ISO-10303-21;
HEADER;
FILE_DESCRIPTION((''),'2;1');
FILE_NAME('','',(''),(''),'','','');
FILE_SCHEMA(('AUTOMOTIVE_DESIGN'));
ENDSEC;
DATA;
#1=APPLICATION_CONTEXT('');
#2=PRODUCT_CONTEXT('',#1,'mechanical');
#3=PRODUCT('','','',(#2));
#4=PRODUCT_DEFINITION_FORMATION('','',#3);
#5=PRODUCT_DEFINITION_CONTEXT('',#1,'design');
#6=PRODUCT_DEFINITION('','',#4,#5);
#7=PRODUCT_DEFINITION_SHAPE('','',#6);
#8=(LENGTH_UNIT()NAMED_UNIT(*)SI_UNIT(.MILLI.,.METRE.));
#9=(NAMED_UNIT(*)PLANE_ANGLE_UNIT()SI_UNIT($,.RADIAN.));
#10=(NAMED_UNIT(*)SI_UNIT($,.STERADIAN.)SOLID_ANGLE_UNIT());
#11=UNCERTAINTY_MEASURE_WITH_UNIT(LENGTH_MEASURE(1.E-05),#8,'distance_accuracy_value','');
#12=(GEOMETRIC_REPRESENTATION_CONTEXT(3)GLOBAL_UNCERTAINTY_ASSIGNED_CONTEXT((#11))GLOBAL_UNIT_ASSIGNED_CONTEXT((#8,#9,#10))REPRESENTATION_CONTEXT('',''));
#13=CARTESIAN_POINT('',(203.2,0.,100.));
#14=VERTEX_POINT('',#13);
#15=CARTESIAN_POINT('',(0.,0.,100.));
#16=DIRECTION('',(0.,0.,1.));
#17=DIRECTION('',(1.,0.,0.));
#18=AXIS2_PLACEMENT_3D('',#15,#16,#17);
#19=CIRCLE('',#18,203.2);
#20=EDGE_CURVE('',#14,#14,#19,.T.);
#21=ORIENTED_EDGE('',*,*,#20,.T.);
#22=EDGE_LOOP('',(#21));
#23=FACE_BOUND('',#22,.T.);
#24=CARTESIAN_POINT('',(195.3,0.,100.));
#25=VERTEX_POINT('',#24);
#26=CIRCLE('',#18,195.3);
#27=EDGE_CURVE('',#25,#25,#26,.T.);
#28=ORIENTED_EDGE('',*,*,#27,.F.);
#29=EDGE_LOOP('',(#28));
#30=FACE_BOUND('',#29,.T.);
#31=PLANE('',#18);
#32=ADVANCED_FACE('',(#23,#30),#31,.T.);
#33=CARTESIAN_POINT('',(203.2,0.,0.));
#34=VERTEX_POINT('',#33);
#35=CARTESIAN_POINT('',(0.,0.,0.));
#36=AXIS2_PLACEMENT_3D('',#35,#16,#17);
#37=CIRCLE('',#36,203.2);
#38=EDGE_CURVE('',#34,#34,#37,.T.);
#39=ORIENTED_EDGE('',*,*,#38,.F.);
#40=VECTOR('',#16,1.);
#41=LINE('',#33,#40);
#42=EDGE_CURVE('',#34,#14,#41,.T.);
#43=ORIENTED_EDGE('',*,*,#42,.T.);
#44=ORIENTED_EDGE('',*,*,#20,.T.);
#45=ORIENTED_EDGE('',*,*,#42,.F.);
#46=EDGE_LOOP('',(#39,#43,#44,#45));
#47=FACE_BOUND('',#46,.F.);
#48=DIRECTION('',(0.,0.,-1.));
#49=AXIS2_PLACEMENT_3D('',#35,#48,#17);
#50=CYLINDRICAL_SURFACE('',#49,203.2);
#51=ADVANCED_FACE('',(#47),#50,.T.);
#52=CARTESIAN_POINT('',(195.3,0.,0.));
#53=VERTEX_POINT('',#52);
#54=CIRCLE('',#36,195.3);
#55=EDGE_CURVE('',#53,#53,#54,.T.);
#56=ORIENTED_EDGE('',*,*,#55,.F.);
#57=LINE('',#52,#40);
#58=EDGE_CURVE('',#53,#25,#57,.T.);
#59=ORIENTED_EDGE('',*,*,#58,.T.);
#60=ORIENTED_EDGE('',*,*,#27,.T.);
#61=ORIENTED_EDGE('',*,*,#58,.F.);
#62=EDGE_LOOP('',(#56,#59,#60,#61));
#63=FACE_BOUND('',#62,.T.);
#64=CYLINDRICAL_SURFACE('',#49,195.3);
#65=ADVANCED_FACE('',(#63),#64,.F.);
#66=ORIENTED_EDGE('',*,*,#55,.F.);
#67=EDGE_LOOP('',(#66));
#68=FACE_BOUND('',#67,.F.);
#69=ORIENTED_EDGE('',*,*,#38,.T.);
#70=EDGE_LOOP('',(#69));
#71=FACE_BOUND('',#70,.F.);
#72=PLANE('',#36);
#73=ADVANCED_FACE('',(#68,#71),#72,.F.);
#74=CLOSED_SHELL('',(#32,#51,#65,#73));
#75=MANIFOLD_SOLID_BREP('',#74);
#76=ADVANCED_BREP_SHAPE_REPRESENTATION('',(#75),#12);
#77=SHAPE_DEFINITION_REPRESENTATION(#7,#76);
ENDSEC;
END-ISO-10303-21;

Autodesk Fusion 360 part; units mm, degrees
sketch "スケッチ1" plane through (0, 0, 0) normal (0, 0, 1) x (1, 0, 0)
  circle A0 centre (0, 0) radius 203.2
  circle A1 centre (0, 0) radius 195.3
  dimension "d1" = 406.4
  dimension "d2" = -7.9
extrude "押し出し1" add sketch "スケッチ1" along normal blind 100
